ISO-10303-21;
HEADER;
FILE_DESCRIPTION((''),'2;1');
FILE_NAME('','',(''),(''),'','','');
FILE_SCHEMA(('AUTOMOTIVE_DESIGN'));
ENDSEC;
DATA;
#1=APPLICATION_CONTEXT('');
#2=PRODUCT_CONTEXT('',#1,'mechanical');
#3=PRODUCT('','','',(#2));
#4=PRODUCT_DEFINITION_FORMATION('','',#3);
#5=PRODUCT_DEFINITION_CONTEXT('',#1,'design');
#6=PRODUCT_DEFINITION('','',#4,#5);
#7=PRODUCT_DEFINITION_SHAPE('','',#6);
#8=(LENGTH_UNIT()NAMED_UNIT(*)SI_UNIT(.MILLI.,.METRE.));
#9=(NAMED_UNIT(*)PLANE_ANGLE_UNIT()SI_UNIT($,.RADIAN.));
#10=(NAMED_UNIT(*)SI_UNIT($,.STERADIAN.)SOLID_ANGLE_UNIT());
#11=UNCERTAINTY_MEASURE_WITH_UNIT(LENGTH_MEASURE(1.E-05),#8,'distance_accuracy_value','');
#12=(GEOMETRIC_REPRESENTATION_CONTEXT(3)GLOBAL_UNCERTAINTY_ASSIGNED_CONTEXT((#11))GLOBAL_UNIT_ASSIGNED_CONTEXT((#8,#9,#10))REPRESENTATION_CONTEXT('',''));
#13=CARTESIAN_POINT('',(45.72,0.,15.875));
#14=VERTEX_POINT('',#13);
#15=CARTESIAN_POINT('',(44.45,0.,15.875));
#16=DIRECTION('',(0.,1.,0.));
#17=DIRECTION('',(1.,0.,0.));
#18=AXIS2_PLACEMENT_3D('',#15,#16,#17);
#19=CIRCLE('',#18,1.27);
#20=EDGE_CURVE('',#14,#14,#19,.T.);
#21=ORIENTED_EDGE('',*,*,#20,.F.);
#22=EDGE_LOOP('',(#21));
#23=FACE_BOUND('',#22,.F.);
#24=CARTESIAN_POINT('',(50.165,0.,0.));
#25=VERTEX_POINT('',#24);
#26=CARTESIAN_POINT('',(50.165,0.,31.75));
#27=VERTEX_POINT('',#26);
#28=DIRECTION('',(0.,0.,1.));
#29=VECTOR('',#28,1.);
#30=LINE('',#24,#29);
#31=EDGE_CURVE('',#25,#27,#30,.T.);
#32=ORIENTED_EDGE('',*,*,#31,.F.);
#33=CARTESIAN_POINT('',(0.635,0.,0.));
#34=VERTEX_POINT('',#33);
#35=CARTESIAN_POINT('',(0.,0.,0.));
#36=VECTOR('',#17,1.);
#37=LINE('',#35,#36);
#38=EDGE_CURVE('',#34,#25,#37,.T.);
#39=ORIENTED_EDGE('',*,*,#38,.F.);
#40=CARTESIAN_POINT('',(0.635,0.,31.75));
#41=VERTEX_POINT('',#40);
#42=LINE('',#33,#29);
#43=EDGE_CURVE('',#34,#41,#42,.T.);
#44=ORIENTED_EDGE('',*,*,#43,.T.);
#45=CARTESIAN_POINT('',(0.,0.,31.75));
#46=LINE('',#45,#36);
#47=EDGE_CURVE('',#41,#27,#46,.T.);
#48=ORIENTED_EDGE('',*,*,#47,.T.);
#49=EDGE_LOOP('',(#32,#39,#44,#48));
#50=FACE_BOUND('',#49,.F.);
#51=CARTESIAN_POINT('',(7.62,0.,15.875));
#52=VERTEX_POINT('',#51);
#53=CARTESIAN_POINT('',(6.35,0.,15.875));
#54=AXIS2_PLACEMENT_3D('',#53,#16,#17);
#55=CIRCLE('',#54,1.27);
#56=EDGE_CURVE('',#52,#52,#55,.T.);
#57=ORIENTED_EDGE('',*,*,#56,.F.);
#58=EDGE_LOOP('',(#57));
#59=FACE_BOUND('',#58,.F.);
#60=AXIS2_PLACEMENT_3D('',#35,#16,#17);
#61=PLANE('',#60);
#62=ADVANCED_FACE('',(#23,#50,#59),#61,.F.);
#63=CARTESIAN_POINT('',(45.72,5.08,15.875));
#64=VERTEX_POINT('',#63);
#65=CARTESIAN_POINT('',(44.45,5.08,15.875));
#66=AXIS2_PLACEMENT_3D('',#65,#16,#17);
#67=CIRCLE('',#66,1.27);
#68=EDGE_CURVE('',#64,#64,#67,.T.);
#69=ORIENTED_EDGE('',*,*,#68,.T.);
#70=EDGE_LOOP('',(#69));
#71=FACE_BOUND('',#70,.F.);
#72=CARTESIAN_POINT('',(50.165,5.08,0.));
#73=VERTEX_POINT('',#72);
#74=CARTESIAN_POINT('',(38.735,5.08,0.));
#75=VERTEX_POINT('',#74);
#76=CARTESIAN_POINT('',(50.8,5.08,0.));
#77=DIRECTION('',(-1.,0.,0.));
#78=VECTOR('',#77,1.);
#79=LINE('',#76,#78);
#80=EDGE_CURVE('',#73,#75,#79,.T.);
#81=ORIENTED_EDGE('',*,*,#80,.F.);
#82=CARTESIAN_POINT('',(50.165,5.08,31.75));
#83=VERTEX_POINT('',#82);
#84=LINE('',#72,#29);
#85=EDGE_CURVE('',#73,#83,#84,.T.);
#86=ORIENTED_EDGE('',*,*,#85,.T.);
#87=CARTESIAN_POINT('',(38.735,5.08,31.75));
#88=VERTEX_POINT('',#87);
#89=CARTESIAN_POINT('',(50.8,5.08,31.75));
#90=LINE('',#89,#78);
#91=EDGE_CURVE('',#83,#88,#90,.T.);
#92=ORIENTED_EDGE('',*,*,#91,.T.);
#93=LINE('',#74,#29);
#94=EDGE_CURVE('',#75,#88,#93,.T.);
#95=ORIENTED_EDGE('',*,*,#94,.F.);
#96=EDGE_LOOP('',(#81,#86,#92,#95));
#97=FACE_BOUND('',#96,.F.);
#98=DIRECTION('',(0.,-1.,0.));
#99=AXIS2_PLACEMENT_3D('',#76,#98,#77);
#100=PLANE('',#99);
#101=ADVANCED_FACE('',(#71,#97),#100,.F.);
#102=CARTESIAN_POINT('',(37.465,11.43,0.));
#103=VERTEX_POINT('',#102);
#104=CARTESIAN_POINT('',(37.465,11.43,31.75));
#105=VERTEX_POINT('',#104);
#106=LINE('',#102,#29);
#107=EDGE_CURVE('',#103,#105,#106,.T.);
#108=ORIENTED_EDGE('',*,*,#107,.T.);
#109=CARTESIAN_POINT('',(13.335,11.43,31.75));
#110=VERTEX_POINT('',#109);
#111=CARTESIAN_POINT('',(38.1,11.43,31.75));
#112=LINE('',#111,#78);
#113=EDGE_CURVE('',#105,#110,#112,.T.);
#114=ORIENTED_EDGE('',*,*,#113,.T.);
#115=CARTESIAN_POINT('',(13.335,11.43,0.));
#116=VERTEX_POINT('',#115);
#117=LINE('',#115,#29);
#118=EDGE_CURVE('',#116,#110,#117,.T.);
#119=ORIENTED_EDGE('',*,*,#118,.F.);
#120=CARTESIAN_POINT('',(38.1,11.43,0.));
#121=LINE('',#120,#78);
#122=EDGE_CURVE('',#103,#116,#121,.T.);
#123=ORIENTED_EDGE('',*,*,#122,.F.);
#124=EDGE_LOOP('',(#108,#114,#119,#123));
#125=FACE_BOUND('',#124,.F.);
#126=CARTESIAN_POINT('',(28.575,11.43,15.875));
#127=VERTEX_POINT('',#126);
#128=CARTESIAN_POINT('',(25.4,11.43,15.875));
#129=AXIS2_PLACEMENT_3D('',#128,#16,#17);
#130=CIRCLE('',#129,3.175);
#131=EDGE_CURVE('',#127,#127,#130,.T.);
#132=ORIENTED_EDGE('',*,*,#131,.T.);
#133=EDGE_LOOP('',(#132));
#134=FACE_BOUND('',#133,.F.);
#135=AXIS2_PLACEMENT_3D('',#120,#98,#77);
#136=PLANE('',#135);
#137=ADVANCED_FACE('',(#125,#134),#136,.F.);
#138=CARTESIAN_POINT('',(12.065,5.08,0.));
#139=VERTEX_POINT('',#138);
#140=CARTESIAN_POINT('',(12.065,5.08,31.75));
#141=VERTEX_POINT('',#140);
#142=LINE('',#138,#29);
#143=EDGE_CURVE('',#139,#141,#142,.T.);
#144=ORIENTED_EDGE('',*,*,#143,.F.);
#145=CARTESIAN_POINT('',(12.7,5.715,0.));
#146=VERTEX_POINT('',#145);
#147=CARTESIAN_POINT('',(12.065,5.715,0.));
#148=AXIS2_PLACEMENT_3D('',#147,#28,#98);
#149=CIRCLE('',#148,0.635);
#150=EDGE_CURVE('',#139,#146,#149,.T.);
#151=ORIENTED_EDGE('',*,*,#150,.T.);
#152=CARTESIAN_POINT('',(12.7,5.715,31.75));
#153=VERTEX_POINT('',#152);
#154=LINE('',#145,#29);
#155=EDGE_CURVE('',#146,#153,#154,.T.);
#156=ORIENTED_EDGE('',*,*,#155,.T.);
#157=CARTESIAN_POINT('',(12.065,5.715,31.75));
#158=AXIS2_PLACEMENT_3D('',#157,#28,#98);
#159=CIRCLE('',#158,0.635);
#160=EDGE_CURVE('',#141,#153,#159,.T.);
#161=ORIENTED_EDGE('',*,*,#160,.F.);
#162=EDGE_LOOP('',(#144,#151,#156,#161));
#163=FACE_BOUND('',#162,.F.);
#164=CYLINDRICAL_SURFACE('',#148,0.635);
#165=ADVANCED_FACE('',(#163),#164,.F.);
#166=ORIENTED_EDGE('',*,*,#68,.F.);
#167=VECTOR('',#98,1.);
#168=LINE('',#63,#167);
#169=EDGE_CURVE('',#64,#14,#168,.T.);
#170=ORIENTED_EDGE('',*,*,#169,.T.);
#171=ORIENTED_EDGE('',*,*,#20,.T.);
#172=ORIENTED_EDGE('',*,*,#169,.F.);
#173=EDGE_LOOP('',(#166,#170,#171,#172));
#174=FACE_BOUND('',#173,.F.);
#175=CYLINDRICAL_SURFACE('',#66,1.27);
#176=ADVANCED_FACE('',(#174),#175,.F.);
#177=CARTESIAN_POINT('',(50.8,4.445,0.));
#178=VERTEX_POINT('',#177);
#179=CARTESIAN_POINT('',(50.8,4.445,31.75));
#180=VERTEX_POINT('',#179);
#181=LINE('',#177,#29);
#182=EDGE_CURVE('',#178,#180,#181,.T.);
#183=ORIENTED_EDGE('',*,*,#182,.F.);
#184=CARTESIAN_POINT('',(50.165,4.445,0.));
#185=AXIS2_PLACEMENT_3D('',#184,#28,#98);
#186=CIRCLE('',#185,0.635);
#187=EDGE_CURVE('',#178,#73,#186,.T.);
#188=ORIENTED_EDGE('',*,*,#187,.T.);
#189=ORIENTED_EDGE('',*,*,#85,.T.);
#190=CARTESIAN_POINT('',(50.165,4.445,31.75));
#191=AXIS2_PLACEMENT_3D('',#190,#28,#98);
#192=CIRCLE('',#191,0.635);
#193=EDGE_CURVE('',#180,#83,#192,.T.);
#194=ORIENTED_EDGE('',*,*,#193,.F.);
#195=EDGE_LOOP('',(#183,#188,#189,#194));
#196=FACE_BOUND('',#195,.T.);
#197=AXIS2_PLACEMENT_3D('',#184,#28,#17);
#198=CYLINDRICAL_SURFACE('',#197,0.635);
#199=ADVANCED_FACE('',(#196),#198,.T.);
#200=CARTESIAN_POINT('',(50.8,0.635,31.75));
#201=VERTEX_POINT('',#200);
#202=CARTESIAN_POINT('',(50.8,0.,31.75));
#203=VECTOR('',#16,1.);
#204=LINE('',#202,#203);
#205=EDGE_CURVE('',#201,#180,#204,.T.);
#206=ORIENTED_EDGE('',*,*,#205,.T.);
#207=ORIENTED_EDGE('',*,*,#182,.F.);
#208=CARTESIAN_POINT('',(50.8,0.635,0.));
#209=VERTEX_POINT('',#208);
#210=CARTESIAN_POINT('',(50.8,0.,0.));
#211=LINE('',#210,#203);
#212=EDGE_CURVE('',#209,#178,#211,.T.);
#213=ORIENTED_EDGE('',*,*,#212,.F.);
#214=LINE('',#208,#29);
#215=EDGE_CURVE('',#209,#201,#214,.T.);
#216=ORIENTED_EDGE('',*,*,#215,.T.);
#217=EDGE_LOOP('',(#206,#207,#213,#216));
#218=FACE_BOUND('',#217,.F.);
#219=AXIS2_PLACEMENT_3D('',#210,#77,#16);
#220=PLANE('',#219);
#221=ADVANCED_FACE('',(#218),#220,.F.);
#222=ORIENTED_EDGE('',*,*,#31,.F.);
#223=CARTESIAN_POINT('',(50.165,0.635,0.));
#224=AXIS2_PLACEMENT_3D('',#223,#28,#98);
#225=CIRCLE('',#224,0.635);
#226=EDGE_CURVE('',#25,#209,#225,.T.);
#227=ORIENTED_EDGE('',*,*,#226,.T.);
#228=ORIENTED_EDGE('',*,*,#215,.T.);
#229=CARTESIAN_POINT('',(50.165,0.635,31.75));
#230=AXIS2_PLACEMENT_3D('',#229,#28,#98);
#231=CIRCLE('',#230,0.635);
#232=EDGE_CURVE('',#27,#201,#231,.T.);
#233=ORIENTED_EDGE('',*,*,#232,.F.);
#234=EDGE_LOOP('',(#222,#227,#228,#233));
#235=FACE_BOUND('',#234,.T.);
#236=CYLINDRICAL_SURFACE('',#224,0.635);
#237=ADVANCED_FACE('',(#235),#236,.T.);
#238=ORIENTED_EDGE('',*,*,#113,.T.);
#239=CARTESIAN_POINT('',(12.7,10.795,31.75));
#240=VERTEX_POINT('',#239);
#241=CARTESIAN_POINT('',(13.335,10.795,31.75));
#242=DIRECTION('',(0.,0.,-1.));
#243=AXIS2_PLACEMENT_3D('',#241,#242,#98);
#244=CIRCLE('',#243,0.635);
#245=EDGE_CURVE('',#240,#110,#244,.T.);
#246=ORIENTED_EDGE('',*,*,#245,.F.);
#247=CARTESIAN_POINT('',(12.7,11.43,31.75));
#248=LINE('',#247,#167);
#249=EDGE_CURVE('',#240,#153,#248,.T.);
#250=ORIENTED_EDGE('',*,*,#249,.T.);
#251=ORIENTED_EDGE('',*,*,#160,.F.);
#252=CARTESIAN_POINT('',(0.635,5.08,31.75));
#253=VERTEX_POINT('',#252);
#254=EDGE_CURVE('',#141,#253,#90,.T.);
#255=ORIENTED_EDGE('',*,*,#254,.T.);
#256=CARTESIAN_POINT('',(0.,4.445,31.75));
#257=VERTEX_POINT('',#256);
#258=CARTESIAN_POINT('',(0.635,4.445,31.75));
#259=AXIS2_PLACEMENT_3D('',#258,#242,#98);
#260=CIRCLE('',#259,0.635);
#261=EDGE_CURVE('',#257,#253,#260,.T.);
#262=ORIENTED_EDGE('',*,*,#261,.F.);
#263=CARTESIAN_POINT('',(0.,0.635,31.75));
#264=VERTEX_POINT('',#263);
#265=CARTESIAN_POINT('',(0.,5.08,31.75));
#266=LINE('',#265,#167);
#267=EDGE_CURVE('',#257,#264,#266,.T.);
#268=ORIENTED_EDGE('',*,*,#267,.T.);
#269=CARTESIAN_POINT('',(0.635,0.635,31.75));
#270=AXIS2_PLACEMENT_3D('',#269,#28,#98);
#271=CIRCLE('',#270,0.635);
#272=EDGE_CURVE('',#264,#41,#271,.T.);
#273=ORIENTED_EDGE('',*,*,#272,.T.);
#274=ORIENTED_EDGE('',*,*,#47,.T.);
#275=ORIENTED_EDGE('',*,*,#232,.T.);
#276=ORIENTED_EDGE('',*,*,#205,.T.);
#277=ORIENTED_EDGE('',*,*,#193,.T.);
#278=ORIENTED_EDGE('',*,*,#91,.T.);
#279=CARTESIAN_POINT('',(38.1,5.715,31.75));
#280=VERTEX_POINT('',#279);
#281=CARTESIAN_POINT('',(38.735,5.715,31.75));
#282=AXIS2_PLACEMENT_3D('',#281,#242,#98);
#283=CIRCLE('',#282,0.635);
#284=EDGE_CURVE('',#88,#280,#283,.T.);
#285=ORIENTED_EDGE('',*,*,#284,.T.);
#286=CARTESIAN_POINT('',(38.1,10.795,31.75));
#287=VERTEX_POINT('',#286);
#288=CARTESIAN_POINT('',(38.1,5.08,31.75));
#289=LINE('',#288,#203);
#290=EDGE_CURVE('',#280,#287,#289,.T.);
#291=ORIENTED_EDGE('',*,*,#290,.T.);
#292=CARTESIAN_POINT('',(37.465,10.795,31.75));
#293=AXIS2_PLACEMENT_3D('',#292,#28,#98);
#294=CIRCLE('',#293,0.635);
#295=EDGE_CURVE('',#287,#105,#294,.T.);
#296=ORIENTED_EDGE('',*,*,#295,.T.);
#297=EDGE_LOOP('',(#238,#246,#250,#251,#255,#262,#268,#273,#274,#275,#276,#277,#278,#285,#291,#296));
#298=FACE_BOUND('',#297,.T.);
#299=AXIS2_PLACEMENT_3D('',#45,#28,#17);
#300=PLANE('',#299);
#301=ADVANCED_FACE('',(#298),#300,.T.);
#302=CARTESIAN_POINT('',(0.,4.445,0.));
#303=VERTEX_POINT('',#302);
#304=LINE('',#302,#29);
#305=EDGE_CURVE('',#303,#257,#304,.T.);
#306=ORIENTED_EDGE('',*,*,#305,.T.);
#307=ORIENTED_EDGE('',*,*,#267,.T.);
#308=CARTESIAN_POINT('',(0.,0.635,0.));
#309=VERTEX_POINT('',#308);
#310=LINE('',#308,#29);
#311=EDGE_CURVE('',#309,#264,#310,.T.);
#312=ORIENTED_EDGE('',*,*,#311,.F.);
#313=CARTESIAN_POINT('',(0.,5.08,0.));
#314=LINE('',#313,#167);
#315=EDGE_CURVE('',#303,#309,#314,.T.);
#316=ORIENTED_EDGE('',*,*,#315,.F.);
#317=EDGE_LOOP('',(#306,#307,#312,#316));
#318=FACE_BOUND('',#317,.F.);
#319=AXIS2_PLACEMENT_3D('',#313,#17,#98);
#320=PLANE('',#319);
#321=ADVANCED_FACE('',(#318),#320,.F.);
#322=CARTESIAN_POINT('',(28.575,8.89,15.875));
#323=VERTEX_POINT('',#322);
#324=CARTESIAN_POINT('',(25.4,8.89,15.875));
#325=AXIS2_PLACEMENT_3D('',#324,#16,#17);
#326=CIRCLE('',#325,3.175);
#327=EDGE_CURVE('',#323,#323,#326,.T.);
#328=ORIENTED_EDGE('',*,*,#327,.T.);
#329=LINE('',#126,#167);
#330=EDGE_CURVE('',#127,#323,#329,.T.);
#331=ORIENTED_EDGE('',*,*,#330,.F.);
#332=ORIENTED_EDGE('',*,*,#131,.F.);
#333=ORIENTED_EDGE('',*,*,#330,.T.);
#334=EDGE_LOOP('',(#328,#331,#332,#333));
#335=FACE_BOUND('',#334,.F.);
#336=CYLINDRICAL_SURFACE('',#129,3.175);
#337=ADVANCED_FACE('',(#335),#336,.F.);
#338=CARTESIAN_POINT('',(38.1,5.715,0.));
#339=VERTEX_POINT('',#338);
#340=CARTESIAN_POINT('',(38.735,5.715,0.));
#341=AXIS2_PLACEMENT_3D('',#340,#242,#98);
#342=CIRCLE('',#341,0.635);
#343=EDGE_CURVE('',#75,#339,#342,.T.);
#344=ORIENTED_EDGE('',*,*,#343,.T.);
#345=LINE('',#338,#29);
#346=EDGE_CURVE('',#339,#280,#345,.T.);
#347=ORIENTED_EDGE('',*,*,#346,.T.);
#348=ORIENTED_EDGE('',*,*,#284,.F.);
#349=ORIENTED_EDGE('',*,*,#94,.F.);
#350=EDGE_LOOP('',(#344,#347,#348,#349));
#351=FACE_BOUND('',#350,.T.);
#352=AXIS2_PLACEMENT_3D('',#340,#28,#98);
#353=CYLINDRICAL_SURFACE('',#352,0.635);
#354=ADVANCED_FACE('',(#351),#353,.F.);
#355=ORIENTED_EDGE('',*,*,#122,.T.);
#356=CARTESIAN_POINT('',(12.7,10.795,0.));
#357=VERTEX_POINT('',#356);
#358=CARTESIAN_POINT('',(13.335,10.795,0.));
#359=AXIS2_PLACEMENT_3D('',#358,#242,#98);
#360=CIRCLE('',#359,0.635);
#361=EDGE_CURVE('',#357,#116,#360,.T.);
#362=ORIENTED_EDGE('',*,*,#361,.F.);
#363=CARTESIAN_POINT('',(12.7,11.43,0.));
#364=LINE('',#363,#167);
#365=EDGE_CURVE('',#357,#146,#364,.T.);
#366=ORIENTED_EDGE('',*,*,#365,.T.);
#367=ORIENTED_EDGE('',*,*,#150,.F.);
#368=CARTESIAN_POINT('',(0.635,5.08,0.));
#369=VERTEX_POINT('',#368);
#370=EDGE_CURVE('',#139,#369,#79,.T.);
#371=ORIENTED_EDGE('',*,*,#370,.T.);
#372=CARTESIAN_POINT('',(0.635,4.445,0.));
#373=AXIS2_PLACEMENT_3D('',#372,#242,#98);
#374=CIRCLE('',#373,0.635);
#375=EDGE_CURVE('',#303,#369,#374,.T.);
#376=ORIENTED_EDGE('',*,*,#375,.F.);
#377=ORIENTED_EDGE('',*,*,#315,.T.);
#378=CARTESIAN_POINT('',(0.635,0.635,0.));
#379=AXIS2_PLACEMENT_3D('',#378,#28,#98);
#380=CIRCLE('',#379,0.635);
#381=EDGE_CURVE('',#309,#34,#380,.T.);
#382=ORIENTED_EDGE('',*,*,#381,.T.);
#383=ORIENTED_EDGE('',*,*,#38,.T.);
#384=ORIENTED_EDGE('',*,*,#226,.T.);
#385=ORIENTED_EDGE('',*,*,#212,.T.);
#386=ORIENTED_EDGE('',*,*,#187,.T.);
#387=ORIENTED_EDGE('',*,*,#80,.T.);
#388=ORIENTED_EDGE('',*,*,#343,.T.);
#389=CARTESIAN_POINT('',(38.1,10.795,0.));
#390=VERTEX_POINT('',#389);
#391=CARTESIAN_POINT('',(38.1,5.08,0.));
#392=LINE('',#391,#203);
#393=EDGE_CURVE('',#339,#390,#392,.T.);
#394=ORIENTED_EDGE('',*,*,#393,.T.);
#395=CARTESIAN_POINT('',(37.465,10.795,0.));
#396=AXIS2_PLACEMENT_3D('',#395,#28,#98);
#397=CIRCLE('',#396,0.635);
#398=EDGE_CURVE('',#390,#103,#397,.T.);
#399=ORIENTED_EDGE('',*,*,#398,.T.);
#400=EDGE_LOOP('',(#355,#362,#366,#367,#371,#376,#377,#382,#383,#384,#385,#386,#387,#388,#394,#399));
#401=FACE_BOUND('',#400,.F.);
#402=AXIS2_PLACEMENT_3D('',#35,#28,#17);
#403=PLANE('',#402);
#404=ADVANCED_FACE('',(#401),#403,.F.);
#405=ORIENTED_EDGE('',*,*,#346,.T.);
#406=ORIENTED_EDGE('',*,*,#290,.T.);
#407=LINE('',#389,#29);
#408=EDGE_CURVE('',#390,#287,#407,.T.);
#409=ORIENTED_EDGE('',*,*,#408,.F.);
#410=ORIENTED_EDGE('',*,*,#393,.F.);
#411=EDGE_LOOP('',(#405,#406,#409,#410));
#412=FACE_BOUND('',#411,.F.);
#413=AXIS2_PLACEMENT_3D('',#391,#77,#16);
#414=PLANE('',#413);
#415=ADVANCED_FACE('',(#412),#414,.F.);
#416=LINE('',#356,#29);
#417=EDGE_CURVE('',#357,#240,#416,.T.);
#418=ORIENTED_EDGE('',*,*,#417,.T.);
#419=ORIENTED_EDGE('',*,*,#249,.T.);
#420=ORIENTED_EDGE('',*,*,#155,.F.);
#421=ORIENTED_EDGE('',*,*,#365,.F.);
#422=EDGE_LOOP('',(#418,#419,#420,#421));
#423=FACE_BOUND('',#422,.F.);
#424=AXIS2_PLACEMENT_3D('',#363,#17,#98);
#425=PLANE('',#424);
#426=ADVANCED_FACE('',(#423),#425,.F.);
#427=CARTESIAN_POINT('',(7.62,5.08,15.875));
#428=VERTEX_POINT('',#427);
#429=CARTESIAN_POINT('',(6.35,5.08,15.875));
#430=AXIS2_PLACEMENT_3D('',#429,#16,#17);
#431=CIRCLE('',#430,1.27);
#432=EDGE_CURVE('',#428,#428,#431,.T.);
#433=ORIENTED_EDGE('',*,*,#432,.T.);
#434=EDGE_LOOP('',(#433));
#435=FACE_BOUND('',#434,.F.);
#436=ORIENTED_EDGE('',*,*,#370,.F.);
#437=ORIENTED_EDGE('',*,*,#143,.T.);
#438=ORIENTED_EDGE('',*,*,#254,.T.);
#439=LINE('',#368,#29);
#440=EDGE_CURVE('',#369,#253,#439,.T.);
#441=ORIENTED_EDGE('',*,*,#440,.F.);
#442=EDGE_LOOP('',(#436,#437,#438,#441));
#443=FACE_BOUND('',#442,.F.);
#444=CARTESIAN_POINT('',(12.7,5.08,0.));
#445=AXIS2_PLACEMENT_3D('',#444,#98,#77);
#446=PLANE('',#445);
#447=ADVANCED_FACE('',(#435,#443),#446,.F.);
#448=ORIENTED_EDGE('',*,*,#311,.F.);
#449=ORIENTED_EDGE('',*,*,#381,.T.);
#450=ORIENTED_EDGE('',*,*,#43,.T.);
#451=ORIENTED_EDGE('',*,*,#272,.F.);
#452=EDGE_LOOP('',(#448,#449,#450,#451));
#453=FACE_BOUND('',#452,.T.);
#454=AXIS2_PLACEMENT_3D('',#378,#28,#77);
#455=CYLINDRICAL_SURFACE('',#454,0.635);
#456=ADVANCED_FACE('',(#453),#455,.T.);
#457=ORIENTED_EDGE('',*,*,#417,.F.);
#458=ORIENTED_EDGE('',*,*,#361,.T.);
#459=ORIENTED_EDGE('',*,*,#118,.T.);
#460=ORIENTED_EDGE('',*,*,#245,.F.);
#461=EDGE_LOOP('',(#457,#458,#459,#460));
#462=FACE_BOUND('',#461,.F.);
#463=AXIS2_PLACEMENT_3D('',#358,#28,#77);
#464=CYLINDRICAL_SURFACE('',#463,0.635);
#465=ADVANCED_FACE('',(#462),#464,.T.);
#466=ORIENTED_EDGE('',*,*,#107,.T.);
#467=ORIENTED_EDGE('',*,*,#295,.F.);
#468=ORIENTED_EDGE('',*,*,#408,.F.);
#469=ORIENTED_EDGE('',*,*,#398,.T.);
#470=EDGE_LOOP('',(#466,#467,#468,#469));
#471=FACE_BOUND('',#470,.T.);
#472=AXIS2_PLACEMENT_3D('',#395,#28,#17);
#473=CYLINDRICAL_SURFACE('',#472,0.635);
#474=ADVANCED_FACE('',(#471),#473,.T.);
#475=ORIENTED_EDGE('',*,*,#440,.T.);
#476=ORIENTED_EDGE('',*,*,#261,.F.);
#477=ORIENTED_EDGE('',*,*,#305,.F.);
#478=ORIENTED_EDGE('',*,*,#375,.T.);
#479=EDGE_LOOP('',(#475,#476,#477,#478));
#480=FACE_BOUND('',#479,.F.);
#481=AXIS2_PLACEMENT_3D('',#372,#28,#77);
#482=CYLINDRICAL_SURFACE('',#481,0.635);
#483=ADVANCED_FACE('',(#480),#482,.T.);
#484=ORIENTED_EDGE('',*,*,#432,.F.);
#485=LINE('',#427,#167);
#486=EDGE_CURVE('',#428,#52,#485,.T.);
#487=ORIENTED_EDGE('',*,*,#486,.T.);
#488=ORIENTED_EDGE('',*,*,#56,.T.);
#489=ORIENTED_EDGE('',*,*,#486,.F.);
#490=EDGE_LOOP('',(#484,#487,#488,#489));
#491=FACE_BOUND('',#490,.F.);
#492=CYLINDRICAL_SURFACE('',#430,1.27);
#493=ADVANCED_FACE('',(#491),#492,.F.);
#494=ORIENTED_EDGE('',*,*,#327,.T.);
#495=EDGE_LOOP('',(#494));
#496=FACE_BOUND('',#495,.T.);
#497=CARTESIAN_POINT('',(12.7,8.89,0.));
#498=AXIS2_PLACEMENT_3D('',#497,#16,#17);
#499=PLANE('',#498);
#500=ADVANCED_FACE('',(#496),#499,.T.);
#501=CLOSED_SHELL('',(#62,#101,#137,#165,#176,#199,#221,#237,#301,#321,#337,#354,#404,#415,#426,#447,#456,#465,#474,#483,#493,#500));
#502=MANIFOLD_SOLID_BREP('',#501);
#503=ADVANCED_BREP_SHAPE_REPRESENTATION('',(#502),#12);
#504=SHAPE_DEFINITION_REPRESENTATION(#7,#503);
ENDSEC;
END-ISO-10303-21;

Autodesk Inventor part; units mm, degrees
ref_plane "YZ Plane" through (0, 0, 0) normal (1, 0, 0) x (0, 1, 0)
ref_plane "XZ Plane" through (0, 0, 0) normal (0, 1, 0) x (-1, 0, 0)
ref_plane "XY Plane" through (0, 0, 0) normal (0, 0, 1) x (1, 0, 0)
sketch "Sketch1" plane through (0, 0, 0) normal (0, 0, 1) x (1, 0, 0)
  line L0 (0, 0) -> (50.8, 0)
  line L1 (50.8, 0) -> (50.8, 5.08)
  line L2 (50.8, 5.08) -> (0, 5.08)
  line L3 (0, 5.08) -> (0, 0)
  line L4 (12.7, 5.08) -> (38.1, 5.08)
  line L5 (38.1, 5.08) -> (38.1, 11.43)
  line L6 (38.1, 11.43) -> (12.7, 11.43)
  line L7 (12.7, 11.43) -> (12.7, 5.08)
  dimension "d0" = 50.8
  dimension "d1" = 5.08
  dimension "d2" = 25.4
  dimension "d3" = 6.35
  dimension "d4" = 12.7
extrude "Extrusion1" add sketch "Sketch1" along normal blind 31.75
sketch "Sketch3" plane through (12.7, 11.43, 0) normal (0, 1, 0) x (1, 0, 0)
  circle A0 centre (12.7, -15.875) radius 3.175
  line L0 (25.4, 0) -> (0, 0) projected
  line L1 (25.4, 0) -> (25.4, -31.75) projected
  point P0 (-12.7, 0)
  dimension "d8" = 15.875
  dimension "d9" = 12.7
  dimension "d20" = 6.35
extrude "Extrusion2" cut sketch "Sketch3" against normal blind 2.54
sketch "Sketch4" plane through (0, 5.08, 0) normal (0, 1, 0) x (1, 0, 0)
  circle A0 centre (6.35, -15.875) radius 1.27
  circle A1 centre (44.45, -15.875) radius 1.27
  line L0 (50.8, 0) -> (50.8, -31.75) projected
  line L1 (0, 0) -> (0, -31.75) projected
  line L2 (50.8, 0) -> (38.1, 0) projected
  line L3 (12.7, 0) -> (0, 0) projected
  dimension "d12" = 2.54
  dimension "d13" = 2.54
  dimension "d14" = 6.35
  dimension "d15" = 6.35
  dimension "d16" = 15.875
  dimension "d17" = 15.875
extrude "Extrusion3" cut sketch "Sketch4" against normal blind 25.4
fillet "Fillet1" radius 0.635 8 edges at (12.7, 11.43, 15.875) (38.1, 11.43, 15.875) (38.1, 5.08, 15.875) (50.8, 5.08, 15.875) (0, 5.08, 15.875) (50.8, 0, 15.875) (0, 0, 15.875) (12.7, 5.08, 15.875)
equation "\"d12\" = d13"
equation "\"d15\" = d14"
equation "\"d17\" = d16"
properties part number "Base"
